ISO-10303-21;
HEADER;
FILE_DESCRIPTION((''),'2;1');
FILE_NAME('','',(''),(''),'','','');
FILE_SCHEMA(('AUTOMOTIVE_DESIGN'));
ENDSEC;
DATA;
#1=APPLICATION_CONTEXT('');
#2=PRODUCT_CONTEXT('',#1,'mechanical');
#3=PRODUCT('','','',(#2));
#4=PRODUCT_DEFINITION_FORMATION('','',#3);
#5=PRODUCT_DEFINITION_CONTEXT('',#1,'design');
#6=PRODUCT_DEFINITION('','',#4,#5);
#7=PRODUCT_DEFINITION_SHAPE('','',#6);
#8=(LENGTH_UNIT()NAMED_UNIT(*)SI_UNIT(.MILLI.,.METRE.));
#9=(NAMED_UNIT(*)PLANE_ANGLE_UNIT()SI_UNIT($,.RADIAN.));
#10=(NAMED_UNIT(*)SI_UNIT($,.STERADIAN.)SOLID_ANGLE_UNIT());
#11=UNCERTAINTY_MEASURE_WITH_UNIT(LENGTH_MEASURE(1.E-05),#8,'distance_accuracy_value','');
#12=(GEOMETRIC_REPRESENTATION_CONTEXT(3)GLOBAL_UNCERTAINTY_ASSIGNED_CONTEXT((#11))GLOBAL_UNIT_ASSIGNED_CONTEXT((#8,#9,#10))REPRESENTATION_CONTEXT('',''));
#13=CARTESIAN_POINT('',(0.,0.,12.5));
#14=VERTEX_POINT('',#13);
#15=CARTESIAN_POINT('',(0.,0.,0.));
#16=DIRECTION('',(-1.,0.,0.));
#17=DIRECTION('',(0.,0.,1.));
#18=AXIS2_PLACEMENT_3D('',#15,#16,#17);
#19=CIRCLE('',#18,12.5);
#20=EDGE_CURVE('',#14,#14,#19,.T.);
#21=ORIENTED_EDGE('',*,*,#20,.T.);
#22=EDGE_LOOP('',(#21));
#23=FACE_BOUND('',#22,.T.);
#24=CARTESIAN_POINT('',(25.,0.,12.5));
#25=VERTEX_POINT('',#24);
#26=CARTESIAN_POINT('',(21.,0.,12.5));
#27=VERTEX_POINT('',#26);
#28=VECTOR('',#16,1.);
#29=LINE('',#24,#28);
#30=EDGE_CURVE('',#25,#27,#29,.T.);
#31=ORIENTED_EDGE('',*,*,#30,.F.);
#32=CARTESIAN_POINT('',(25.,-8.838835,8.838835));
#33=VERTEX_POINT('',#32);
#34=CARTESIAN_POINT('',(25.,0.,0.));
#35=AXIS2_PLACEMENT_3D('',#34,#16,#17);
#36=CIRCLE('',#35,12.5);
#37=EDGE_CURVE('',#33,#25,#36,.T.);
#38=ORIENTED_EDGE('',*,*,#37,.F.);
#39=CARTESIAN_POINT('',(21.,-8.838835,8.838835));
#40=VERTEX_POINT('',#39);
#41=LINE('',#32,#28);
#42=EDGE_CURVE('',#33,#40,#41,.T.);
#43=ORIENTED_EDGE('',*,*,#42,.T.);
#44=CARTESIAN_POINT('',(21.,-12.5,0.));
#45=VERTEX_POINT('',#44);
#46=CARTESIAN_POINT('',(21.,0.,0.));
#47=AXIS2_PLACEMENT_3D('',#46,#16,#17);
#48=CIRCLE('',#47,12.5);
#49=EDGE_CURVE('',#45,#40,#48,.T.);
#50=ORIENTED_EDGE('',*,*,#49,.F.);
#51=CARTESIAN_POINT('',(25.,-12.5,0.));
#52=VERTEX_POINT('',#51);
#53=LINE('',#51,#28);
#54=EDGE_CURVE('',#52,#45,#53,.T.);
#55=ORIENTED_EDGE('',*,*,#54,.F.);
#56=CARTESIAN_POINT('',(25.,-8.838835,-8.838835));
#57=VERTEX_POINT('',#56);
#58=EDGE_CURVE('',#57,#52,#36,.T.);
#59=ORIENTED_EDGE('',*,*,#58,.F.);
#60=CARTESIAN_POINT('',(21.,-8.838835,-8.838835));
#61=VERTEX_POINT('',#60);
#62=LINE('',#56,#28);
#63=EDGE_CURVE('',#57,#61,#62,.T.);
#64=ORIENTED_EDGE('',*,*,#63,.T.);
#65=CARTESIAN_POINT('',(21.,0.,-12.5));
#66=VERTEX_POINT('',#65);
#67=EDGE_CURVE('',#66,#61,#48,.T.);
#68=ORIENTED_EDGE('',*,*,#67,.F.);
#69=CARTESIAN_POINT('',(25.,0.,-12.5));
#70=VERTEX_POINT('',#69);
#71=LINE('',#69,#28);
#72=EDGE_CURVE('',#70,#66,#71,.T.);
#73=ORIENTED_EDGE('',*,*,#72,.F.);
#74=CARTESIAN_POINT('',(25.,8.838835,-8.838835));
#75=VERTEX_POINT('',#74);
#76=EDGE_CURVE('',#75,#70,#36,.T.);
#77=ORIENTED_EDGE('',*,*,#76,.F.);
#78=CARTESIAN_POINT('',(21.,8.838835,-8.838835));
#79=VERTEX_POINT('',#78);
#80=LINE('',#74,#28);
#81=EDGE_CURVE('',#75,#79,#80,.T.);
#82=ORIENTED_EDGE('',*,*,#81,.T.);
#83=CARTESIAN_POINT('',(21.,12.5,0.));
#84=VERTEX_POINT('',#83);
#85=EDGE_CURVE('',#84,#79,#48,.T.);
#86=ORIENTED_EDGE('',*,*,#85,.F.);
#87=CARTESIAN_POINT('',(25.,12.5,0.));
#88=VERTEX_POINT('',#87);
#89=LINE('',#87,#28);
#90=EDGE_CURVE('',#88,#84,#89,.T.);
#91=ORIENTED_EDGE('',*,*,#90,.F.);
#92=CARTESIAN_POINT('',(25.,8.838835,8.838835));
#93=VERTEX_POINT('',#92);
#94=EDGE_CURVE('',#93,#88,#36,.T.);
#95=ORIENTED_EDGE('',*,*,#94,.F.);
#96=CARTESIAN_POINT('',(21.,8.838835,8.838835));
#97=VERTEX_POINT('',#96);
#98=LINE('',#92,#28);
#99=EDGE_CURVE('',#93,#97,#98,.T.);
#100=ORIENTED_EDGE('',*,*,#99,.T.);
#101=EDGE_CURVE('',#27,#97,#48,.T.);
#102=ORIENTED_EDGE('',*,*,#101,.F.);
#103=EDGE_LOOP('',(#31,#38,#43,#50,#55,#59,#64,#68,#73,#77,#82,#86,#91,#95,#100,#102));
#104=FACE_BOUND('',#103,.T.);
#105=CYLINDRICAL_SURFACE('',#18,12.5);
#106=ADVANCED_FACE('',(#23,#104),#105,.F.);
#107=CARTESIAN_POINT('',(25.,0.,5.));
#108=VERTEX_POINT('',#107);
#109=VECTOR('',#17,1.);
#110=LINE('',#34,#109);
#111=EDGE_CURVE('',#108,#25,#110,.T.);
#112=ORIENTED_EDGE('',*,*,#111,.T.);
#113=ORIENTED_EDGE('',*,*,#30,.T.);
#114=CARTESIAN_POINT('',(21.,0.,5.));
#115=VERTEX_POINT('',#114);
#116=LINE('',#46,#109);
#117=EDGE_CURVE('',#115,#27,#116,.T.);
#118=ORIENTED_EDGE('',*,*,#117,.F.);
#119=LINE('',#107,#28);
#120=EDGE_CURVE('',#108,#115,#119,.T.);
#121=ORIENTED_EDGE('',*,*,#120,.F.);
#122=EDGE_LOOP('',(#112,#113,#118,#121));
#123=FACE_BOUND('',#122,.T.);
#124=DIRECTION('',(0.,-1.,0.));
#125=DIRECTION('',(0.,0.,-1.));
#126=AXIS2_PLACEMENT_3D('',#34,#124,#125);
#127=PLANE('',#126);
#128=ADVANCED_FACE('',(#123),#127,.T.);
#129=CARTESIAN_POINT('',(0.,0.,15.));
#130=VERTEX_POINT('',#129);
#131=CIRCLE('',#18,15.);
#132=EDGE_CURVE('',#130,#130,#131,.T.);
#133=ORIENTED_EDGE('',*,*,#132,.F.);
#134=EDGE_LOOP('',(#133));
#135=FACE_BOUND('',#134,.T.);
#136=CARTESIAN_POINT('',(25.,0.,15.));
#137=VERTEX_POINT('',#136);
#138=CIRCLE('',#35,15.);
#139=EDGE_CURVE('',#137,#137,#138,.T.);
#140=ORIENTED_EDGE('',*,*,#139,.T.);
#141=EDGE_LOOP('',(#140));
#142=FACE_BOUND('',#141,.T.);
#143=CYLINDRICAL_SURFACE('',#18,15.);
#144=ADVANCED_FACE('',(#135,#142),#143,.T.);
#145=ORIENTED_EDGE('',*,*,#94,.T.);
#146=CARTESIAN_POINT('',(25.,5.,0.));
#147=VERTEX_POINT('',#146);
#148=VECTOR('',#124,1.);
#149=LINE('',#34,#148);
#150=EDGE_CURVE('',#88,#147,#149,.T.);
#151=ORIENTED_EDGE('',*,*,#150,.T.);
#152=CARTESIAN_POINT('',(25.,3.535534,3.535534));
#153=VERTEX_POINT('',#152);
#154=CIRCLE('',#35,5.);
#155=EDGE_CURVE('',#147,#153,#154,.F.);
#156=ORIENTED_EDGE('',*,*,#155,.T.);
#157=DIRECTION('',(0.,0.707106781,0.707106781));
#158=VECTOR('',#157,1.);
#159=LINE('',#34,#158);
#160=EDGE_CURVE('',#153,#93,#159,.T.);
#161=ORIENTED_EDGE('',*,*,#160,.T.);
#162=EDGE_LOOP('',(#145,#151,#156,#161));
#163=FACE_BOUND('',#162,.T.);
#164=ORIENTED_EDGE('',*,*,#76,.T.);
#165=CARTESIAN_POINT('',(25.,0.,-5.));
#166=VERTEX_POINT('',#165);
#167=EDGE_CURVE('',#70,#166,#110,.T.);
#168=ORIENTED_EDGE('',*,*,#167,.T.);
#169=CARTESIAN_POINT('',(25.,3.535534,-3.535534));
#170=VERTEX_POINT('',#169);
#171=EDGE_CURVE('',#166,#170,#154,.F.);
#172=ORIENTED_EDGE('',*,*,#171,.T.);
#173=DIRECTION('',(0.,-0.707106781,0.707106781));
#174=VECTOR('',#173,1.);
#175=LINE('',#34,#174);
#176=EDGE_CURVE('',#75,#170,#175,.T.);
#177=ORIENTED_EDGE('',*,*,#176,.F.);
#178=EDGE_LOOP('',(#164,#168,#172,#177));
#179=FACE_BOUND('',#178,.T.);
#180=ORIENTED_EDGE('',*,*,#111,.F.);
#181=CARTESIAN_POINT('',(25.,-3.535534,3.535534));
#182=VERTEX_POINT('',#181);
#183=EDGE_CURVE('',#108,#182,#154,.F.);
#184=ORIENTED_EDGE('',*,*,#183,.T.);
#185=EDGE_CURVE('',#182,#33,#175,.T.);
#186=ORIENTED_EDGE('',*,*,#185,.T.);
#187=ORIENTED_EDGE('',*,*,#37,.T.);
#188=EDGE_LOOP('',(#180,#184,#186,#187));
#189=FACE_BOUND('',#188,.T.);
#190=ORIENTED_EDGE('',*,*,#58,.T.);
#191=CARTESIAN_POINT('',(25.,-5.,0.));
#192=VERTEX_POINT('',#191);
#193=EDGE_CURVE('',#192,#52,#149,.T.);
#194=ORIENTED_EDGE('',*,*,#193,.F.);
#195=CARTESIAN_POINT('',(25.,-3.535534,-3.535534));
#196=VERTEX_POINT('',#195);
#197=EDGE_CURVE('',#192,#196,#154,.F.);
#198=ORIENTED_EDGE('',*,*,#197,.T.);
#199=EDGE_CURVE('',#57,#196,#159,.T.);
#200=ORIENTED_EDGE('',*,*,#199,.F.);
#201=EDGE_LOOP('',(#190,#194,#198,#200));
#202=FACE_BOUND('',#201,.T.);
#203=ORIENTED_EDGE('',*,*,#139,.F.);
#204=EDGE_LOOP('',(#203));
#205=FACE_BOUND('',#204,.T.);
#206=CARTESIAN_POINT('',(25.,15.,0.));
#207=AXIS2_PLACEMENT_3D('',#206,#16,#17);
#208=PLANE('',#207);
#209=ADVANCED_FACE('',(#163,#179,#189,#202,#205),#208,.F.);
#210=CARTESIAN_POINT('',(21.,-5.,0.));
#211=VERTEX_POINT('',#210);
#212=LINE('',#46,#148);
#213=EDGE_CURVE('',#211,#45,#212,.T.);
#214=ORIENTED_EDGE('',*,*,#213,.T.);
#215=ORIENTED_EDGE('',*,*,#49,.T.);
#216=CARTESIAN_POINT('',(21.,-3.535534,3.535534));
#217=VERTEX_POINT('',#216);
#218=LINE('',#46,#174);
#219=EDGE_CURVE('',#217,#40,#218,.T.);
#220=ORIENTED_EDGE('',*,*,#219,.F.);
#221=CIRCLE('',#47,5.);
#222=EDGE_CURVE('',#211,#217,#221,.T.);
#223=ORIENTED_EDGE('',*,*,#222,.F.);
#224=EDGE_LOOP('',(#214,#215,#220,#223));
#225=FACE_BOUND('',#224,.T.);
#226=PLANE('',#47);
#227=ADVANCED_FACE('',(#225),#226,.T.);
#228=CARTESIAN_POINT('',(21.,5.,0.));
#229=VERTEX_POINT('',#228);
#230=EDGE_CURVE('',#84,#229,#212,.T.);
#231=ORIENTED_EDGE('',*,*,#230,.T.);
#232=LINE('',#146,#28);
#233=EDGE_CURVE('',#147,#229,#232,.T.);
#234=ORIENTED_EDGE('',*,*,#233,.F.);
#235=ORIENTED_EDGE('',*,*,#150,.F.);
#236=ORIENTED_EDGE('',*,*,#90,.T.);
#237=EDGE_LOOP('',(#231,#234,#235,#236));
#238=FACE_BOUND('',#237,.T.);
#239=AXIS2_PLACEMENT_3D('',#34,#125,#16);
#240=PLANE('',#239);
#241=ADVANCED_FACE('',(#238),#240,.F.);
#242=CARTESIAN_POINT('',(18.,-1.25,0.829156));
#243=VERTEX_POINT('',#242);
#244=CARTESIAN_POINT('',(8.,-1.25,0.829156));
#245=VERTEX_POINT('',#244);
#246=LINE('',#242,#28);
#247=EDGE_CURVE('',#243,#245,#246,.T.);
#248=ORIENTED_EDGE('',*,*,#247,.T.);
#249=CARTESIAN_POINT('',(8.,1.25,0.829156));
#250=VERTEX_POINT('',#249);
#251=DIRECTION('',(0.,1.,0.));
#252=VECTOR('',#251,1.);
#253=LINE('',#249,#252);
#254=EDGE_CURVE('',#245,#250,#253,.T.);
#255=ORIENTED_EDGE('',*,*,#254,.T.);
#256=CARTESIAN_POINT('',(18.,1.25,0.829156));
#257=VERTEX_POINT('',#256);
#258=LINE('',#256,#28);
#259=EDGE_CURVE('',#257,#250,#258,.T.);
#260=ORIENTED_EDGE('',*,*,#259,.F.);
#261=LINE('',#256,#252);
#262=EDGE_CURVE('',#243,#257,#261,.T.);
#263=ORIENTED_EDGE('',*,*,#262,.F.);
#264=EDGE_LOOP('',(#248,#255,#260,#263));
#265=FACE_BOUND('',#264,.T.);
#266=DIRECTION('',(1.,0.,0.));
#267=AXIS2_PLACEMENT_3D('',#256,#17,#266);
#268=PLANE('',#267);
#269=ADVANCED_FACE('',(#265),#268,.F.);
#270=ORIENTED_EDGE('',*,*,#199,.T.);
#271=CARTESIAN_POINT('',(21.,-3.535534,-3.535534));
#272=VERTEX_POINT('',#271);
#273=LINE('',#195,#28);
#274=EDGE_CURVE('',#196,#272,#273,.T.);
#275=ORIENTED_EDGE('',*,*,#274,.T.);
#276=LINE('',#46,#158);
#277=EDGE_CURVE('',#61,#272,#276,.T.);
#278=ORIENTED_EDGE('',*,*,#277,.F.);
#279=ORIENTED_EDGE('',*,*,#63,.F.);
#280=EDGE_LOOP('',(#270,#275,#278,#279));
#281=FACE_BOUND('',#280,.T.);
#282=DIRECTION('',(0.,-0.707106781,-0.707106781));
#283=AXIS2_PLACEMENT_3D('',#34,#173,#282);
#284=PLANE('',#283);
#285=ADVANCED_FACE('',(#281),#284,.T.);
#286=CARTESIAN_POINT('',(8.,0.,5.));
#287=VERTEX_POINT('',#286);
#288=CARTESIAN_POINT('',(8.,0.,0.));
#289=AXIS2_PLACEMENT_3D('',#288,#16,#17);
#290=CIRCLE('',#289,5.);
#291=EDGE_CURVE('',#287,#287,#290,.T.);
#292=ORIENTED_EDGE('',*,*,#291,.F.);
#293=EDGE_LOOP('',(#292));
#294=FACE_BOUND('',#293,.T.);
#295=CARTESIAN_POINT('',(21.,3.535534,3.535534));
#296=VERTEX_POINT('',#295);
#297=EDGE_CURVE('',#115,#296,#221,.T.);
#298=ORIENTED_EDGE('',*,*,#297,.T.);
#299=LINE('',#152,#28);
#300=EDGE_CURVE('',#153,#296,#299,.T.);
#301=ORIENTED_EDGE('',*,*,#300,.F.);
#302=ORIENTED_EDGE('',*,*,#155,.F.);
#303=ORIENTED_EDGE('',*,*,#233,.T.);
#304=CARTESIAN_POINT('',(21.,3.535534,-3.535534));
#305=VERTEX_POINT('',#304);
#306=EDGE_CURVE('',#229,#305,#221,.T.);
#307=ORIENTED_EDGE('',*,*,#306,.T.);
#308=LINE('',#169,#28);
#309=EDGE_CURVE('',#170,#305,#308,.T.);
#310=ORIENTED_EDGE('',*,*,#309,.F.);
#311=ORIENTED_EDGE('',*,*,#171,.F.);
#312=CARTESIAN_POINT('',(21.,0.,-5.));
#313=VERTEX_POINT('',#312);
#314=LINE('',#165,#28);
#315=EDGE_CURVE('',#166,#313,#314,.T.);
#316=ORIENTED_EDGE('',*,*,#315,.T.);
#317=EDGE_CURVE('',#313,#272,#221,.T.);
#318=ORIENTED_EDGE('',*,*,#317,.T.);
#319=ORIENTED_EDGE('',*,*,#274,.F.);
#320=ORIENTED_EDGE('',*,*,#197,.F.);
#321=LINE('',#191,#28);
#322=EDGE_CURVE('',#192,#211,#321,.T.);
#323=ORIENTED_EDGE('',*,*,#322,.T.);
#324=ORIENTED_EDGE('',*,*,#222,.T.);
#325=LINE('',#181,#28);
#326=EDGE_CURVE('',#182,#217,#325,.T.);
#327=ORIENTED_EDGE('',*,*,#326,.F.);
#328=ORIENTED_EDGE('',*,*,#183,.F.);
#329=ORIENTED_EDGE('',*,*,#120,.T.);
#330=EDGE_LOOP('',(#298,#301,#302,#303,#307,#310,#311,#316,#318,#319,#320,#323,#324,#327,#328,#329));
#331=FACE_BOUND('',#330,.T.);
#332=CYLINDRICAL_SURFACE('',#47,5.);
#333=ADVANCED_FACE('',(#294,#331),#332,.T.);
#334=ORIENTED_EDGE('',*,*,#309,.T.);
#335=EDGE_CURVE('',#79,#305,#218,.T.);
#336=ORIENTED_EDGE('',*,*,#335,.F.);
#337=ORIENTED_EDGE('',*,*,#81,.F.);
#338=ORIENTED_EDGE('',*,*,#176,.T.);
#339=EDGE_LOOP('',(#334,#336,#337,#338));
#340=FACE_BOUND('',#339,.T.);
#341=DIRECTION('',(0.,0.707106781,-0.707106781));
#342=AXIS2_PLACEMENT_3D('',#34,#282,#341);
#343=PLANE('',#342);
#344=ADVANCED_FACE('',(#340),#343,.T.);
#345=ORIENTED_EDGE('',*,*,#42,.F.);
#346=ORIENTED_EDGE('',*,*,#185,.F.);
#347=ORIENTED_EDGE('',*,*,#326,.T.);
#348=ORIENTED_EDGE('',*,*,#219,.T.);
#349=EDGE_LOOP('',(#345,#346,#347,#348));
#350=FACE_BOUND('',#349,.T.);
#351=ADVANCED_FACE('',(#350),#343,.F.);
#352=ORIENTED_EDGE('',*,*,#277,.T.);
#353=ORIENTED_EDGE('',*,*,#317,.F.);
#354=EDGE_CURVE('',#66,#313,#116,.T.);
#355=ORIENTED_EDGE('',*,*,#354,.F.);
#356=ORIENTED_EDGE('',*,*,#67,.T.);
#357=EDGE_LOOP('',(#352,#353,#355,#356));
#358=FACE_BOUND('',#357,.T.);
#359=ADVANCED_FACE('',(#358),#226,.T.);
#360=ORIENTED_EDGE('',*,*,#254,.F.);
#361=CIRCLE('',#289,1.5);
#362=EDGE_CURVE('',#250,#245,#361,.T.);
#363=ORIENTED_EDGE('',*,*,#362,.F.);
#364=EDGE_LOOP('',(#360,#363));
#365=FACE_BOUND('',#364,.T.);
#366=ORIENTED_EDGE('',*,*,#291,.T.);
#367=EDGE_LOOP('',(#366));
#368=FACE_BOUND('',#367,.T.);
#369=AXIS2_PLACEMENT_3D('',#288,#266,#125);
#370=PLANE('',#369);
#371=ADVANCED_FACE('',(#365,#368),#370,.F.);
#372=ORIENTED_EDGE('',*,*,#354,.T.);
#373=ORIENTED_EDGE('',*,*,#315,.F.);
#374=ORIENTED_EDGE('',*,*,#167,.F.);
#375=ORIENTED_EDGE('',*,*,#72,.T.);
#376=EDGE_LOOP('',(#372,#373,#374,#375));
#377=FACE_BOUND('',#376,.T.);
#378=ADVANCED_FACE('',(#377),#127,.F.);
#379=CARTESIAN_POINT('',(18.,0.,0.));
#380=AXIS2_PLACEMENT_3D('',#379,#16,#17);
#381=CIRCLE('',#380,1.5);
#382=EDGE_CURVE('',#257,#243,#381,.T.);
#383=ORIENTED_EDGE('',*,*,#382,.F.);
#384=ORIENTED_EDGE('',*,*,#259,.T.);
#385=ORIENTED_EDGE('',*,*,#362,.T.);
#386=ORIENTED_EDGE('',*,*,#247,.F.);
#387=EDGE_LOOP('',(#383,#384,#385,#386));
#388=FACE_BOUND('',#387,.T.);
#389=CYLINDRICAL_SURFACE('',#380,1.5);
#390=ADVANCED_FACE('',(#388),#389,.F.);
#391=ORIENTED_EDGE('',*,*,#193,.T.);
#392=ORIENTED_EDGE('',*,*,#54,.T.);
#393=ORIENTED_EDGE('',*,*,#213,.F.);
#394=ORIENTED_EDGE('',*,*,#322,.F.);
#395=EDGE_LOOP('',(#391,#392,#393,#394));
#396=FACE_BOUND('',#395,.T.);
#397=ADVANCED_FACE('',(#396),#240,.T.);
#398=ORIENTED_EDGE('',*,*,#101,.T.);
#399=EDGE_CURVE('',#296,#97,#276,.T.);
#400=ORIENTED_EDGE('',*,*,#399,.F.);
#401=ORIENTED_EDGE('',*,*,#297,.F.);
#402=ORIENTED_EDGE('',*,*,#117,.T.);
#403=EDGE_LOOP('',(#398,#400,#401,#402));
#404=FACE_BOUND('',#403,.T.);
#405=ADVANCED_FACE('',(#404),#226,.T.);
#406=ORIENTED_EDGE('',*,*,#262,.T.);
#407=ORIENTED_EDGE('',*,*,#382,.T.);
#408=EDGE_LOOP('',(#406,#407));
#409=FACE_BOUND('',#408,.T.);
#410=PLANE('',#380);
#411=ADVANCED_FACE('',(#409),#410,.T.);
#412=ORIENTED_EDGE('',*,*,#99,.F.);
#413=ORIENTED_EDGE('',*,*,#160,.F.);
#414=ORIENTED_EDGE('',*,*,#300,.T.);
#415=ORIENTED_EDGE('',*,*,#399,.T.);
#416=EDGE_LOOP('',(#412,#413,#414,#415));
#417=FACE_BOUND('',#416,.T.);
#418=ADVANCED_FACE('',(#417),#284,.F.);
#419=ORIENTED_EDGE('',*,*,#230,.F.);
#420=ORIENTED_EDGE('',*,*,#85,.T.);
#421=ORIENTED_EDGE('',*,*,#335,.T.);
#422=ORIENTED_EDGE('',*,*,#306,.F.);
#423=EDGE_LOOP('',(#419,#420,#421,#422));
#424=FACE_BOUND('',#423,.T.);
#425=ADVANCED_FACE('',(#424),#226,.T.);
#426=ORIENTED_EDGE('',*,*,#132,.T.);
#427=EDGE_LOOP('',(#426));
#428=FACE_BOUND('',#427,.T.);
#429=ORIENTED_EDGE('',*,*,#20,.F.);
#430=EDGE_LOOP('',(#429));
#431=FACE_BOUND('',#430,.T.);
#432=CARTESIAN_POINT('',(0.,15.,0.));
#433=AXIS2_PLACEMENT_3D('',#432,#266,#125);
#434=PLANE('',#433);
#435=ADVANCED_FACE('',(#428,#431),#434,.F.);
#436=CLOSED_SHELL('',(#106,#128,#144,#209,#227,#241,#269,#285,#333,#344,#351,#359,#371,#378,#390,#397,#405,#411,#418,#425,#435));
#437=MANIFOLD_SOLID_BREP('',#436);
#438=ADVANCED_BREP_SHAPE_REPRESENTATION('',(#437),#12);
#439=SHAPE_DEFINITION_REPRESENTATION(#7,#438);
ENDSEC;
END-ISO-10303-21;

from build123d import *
from build123d.topology import SkipClean

# Parameters (mm, degrees)
SKETCH1_W          = 25
SKETCH1_H          = 2.5
SKETCH2_W          = 17
SKETCH2_H          = 12.5
CUT_EXTRUDE1_DEPTH = 10
SKETCH4_R          = 12.5
SKETCH4_R_2        = 5
CUT_EXTRUDE2_DEPTH = 13
CUT_EXTRUDE3_DEPTH = 30.849623113


with BuildPart() as part:
    # Sketch1 → Revolve1 (revolve)
    with BuildSketch(Plane.XY, mode=Mode.PRIVATE) as revolve1_sk:
        with Locations((12.5, 13.75)):
            Rectangle(SKETCH1_W, SKETCH1_H)
    revolve(revolve1_sk.sketch.rotate(Axis((0, 0, 0), (1, 0, 0)), 90), axis=Axis((0, 0, 0), (1, 0, 0)))

    # Sketch2 → Revolve2 (revolve)
    with BuildSketch(Plane.XY, mode=Mode.PRIVATE) as revolve2_sk:
        with Locations((16.5, 6.25)):
            Rectangle(SKETCH2_W, SKETCH2_H)
    revolve(revolve2_sk.sketch.rotate(Axis((0, 0, 0), (1, 0, 0)), 90), axis=Axis((0, 0, 0), (1, 0, 0)))

    # Sketch3 → Cut-Extrude1 (cut)
    with BuildSketch(Plane.ZY.offset(-8)):
        with BuildLine():
            Line((0.829156198, 1.25), (0.829156198, -1.25))
            ThreePointArc((0.829156198, -1.25), (-1.5, 0), (0.829156198, 1.25))
        make_face()
    extrude(amount=-CUT_EXTRUDE1_DEPTH, mode=Mode.SUBTRACT)

    # Sketch4 → Cut-Extrude2 (cut)
    with BuildSketch(Plane.ZY.offset(-8)):
        Circle(SKETCH4_R)
        Circle(SKETCH4_R_2, mode=Mode.SUBTRACT)
    extrude(amount=-CUT_EXTRUDE2_DEPTH, mode=Mode.SUBTRACT)

    # Sketch5 → Cut-Extrude3 (cut, through all)
    with SkipClean():  # the faces are left unmerged after this step: merging them gives an invalid solid
        with BuildSketch(Plane.ZY.offset(-21)):
            with BuildLine():
                Line((12.5, 0), (5, 0))
                ThreePointArc((5, 0), (4.619397663, -1.913417162), (3.535533906, -3.535533906))
                Line((3.535533906, -3.535533906), (8.838834765, -8.838834765))
                ThreePointArc((8.838834765, -8.838834765), (11.548494156, -4.783542905), (12.5, 0))
            make_face()
            with BuildLine():
                Line((-12.5, 0), (-5, 0))
                ThreePointArc((-5, 0), (-4.619397663, 1.913417162), (-3.535533906, 3.535533906))
                Line((-3.535533906, 3.535533906), (-8.838834765, 8.838834765))
                ThreePointArc((-8.838834765, 8.838834765), (-11.548494156, 4.783542905), (-12.5, 0))
            make_face()
            with BuildLine():
                ThreePointArc((0, 5), (1.913417162, 4.619397663), (3.535533906, 3.535533906))
                Line((3.535533906, 3.535533906), (8.838834765, 8.838834765))
                ThreePointArc((8.838834765, 8.838834765), (4.783542905, 11.548494156), (0, 12.5))
                Line((0, 12.5), (0, 5))
            make_face()
            with BuildLine():
                Line((0, -12.5), (0, -5))
                ThreePointArc((0, -5), (-1.913417162, -4.619397663), (-3.535533906, -3.535533906))
                Line((-3.535533906, -3.535533906), (-8.838834765, -8.838834765))
                ThreePointArc((-8.838834765, -8.838834765), (-4.783542905, -11.548494156), (0, -12.5))
            make_face()
        extrude(amount=-CUT_EXTRUDE3_DEPTH, mode=Mode.SUBTRACT)


solid = part.part
